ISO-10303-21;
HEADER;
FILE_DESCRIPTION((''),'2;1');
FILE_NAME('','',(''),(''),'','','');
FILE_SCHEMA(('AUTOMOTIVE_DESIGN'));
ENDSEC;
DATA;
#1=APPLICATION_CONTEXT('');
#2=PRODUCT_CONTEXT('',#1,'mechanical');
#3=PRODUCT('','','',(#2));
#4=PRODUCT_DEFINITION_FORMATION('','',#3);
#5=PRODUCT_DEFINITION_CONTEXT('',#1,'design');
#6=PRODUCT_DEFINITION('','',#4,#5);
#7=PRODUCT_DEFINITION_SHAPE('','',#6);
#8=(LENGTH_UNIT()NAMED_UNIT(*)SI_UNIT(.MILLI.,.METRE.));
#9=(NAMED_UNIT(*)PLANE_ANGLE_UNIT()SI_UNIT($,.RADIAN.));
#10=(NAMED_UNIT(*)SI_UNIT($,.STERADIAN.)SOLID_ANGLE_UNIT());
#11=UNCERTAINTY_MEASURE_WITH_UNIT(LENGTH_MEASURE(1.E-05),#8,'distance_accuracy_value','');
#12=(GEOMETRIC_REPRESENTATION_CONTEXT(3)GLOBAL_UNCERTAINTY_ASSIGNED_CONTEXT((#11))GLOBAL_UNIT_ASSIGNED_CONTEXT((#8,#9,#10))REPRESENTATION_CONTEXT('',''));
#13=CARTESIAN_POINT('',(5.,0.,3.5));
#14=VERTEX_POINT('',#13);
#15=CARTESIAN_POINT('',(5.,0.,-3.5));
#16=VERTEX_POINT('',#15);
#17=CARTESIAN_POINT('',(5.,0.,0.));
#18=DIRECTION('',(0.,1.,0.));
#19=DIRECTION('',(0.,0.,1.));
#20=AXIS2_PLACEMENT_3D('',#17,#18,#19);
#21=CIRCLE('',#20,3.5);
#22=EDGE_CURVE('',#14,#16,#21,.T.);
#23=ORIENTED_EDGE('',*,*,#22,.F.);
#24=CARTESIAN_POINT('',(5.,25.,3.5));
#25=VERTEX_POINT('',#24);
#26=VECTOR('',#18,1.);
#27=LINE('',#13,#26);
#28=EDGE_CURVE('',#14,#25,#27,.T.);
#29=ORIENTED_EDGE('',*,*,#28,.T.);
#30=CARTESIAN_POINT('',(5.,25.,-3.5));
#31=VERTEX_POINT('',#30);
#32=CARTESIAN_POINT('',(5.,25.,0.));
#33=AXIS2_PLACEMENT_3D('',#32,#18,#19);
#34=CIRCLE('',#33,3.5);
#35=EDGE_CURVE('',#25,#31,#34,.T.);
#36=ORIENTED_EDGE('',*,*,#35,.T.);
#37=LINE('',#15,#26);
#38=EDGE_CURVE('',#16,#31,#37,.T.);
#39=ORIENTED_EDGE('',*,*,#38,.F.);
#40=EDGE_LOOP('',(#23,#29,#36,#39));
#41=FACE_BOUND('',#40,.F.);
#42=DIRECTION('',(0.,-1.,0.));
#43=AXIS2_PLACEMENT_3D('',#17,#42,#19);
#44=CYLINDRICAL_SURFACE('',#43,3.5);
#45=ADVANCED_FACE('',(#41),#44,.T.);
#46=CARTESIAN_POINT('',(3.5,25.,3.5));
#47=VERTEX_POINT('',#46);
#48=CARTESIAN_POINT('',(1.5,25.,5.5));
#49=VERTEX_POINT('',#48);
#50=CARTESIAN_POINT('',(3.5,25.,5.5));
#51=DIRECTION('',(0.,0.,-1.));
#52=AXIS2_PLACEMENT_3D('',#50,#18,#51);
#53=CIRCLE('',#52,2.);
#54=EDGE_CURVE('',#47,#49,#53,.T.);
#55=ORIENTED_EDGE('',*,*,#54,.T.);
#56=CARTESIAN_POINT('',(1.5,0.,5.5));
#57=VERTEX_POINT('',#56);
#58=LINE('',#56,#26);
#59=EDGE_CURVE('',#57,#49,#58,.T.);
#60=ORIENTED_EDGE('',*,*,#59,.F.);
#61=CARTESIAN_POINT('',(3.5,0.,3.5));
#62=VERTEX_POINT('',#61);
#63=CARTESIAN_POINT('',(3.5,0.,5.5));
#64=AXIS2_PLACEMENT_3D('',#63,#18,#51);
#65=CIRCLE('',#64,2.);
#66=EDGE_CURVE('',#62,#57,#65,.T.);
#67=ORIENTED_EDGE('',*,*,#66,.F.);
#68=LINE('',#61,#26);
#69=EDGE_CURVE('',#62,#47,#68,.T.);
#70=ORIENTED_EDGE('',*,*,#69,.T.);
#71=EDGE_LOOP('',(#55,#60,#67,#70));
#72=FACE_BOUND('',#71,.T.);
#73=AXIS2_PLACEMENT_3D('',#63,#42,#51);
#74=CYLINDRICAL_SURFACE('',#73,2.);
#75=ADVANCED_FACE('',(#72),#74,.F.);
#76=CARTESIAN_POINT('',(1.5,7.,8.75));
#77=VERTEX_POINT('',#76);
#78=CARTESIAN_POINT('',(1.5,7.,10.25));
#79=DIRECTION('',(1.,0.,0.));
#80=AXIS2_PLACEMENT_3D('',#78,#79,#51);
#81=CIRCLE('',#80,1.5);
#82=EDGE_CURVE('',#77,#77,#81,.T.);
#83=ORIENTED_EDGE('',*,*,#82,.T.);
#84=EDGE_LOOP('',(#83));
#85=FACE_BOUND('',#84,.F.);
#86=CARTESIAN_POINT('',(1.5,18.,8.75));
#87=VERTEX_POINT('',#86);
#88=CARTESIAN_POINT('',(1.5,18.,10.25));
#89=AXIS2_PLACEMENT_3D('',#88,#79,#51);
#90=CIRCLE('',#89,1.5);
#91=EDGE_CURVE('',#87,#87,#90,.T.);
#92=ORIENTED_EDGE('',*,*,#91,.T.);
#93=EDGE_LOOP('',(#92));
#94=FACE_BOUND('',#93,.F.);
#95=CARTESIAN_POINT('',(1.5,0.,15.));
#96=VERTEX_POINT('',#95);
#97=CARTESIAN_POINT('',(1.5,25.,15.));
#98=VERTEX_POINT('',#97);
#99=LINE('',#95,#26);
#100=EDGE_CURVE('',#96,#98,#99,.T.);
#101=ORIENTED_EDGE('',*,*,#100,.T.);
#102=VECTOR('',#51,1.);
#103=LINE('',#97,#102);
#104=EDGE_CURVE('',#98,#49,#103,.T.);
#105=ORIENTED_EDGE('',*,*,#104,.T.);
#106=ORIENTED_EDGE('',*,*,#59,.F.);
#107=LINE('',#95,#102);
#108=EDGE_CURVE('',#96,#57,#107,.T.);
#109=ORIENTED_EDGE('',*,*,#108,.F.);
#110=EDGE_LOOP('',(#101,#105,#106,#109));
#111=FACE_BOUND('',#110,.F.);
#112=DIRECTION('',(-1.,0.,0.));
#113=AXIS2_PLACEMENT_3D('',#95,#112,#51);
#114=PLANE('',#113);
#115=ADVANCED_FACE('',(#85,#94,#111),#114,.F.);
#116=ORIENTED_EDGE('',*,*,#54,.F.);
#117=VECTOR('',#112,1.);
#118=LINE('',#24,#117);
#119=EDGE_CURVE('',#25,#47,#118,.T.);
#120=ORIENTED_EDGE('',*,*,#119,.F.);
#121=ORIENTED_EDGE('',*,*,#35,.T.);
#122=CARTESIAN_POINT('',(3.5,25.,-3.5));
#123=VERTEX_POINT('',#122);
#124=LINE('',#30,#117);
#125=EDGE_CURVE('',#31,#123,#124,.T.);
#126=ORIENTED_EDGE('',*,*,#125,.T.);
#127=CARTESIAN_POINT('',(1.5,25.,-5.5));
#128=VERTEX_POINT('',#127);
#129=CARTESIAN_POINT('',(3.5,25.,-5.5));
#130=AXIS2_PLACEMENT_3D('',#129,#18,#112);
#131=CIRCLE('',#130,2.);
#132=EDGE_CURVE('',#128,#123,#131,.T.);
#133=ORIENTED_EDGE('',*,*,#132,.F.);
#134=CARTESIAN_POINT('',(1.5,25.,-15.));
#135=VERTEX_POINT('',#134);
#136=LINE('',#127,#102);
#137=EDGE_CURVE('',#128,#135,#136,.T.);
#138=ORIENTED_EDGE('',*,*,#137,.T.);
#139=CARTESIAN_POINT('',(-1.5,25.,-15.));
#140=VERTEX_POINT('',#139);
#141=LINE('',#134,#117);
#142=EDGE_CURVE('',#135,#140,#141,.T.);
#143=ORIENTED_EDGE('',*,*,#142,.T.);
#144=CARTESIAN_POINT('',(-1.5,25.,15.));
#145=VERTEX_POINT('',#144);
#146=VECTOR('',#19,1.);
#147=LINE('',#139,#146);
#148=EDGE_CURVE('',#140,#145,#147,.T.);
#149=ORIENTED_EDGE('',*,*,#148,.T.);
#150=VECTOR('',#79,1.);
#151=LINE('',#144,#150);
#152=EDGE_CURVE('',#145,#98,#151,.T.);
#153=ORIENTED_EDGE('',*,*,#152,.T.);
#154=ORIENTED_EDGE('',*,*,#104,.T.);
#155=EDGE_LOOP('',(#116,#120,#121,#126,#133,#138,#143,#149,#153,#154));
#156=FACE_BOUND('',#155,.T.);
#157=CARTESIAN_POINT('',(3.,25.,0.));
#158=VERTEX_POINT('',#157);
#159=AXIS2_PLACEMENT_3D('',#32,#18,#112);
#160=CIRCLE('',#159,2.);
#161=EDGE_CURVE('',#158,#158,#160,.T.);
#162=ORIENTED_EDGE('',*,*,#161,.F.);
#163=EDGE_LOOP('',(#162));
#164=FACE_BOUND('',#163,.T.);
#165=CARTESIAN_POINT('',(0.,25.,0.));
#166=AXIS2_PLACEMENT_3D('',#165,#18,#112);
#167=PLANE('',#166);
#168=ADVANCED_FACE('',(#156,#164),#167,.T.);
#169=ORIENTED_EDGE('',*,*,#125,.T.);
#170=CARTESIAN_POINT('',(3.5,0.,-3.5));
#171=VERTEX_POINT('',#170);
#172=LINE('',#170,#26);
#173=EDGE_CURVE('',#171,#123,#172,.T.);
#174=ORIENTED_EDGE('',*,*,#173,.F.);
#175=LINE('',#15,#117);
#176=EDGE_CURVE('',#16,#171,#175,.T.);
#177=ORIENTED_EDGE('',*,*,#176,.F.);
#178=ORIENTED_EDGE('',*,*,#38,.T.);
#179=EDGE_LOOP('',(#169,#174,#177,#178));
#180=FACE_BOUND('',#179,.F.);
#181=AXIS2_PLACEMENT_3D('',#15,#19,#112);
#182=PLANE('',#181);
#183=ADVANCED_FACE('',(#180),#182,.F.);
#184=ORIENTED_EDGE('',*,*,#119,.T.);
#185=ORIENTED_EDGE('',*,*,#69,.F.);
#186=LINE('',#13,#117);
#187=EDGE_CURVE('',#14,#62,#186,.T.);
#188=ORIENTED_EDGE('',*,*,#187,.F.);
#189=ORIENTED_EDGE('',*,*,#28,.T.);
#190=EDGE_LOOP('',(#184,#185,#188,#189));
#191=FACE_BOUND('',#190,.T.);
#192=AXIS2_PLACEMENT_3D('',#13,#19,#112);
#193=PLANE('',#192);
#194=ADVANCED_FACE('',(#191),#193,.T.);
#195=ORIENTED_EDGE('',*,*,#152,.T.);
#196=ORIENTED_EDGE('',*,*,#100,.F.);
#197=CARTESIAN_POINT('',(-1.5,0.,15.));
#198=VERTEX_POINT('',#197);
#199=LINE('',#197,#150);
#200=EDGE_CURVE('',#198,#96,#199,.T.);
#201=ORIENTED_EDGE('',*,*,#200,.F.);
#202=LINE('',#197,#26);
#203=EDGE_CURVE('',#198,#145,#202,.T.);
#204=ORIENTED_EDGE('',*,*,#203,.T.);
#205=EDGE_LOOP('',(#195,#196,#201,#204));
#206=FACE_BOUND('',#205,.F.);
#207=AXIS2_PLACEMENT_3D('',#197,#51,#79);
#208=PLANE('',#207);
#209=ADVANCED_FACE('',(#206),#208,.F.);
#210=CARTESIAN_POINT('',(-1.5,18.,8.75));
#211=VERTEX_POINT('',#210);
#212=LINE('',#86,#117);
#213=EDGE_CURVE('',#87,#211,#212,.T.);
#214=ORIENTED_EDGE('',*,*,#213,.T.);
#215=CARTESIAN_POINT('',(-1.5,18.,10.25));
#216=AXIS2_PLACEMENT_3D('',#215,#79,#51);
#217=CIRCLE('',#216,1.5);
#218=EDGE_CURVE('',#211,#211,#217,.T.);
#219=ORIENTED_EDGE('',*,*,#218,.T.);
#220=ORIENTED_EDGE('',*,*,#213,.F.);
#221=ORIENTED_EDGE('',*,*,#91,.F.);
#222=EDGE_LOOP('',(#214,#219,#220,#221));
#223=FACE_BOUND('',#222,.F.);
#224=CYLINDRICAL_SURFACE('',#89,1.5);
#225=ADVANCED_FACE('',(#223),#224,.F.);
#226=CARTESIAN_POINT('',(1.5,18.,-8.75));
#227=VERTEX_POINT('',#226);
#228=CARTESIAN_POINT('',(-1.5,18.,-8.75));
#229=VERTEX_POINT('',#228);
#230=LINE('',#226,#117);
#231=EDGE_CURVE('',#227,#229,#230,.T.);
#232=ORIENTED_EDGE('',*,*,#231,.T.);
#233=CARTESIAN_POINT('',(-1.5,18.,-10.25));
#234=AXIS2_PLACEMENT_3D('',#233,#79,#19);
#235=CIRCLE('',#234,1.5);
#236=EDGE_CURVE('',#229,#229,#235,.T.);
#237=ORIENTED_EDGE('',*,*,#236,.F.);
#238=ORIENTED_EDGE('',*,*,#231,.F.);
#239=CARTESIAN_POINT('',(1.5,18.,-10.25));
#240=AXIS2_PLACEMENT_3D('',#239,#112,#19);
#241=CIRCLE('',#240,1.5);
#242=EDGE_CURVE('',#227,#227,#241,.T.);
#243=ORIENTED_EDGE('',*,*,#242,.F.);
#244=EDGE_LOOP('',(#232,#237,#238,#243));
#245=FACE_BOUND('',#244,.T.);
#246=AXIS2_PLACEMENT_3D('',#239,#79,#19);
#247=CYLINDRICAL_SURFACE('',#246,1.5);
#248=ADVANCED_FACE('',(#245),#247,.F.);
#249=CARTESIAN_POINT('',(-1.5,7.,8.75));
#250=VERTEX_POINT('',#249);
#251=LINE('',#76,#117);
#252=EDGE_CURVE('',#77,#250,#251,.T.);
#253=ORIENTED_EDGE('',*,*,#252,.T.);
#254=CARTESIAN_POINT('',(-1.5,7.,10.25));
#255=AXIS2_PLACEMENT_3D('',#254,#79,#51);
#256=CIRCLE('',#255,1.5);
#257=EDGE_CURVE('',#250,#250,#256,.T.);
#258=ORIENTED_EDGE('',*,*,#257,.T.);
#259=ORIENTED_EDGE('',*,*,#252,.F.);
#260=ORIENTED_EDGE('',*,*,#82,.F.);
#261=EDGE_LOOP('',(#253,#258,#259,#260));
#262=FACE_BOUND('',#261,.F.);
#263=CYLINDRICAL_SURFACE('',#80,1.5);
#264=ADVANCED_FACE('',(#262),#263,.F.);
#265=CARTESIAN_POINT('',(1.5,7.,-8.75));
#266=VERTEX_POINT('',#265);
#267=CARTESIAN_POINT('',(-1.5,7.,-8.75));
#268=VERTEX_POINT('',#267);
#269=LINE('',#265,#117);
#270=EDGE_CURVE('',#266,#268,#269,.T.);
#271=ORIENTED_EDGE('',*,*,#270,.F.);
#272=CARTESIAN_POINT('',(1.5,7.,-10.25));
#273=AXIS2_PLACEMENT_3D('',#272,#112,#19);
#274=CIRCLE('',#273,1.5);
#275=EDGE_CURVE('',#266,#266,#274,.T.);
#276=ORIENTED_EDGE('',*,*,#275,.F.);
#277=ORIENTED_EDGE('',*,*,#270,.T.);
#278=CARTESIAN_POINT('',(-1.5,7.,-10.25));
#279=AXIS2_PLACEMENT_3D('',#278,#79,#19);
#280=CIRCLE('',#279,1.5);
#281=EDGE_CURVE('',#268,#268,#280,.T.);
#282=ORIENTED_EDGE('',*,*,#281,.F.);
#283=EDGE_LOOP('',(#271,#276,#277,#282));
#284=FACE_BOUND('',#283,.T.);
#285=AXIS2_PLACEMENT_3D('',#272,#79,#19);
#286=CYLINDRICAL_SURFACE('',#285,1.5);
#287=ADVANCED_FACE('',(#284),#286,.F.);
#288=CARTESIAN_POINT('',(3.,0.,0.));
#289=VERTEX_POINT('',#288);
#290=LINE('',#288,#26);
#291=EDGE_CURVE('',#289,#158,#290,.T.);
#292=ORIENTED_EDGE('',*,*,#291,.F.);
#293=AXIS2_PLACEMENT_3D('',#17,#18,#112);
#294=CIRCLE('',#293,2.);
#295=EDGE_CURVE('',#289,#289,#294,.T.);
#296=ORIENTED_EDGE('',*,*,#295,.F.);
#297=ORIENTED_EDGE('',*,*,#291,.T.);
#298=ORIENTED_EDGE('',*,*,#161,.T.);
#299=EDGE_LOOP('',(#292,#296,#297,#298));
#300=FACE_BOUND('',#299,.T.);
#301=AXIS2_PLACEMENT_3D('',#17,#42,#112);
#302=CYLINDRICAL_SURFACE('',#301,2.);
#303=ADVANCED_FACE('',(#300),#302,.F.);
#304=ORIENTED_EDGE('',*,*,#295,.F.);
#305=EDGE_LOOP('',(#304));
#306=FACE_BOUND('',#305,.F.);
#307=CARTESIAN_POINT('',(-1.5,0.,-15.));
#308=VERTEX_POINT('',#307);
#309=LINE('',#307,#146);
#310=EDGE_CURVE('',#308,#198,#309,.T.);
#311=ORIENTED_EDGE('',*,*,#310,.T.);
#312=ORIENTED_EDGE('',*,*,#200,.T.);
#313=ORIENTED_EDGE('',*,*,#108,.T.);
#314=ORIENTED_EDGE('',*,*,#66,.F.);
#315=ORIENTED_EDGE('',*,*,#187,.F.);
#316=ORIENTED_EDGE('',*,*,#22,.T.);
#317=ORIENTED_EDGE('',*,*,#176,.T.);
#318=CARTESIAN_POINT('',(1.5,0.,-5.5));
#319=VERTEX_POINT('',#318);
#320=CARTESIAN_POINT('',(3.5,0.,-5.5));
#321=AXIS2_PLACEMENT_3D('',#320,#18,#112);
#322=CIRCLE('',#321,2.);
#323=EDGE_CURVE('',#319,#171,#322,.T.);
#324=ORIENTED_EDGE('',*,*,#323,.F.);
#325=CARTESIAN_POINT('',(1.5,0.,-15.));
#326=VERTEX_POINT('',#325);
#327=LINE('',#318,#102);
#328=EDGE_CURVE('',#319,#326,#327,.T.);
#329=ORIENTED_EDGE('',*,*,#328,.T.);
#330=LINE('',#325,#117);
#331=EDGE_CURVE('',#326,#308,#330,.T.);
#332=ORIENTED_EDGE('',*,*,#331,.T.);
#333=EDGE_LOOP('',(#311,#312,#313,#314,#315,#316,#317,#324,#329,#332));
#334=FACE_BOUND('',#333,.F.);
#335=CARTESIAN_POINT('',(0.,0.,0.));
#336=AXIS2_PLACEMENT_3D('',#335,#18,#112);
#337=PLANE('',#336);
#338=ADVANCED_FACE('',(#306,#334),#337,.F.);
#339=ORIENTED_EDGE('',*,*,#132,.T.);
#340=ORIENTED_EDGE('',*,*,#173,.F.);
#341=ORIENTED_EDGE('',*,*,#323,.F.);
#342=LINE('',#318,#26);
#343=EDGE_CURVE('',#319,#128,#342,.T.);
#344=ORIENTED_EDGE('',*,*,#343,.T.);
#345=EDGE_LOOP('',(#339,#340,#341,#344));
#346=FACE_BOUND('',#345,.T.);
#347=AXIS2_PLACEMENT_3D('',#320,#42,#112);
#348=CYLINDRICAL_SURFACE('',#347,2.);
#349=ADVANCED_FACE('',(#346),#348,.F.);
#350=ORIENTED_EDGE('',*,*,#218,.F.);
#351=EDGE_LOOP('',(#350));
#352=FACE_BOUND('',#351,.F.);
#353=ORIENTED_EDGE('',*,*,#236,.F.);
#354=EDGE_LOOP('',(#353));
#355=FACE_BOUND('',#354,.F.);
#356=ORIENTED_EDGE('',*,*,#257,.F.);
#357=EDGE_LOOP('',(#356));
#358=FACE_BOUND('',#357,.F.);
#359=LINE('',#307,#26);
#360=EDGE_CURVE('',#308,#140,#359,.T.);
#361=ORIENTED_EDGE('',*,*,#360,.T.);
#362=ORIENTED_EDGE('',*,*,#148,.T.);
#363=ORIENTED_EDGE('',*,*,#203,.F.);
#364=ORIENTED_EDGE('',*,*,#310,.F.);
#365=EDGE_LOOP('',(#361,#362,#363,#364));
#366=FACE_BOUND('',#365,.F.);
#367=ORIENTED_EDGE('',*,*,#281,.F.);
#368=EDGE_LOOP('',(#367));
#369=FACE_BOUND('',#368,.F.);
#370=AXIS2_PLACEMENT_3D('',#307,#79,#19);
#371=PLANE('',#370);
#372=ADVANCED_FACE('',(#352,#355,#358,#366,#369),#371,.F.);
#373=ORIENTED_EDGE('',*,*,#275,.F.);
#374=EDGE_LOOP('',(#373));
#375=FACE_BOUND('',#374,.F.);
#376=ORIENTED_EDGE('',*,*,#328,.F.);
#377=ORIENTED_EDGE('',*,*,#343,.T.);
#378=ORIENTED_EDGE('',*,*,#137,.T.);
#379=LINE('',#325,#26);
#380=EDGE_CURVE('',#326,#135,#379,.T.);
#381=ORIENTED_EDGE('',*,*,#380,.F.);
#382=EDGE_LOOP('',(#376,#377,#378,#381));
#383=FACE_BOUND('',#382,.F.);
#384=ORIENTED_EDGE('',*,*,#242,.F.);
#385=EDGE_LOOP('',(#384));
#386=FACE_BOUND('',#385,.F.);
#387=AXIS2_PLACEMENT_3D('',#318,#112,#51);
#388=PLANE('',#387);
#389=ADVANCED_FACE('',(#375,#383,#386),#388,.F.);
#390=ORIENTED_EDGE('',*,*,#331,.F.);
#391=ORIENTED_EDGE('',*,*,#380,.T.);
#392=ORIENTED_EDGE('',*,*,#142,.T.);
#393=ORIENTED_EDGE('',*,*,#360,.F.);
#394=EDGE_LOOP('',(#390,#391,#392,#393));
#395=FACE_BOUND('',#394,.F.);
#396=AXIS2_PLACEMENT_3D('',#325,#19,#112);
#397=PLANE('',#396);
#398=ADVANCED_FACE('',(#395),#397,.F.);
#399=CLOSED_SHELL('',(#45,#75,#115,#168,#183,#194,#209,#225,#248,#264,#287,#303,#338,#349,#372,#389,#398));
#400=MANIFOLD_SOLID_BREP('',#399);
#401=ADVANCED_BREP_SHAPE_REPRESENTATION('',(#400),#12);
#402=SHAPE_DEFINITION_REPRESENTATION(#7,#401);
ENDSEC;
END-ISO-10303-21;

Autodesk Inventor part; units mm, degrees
ref_plane "YZ Plane" through (0, 0, 0) normal (1, 0, 0) x (0, 1, 0)
ref_plane "XZ Plane" through (0, 0, 0) normal (0, 1, 0) x (-1, 0, 0)
ref_plane "XY Plane" through (0, 0, 0) normal (0, 0, 1) x (1, 0, 0)
sketch "Sketch1" plane through (0, 0, 0) normal (0, 1, 0) x (-1, 0, 0)
  line L0 (1.5, 15) -> (-1.5, 15)
  line L1 (-1.5, -15) -> (1.5, -15)
  line L2 (1.5, -15) -> (1.5, 15)
  line L3 (1.5, 15) -> (-1.5, -15) construction
  line L4 (-1.5, 15) -> (1.5, -15) construction
  arc A0 (-5, 3.5) -> (-5, -3.5) centre (-5, 0) ccw
  circle A1 centre (-5, 0) radius 2
  line L5 (-5, -3.5) -> (-3.5, -3.5)
  line L6 (-5, 3.5) -> (-3.5, 3.5)
  line L7 (-1.5, 15) -> (-1.5, 5.5)
  line L8 (-1.5, -5.5) -> (-1.5, -15)
  arc A2 (-3.5, 3.5) -> (-1.5, 5.5) centre (-3.5, 5.5) ccw
  arc A3 (-1.5, -5.5) -> (-3.5, -3.5) centre (-3.5, -5.5) ccw
  point P0 (0, 0)
  dimension "d0" = 3
  dimension "d1" = 30
  dimension "d2" = 7
  dimension "d3" = 4
  dimension "d4" = 2
extrude "Extrusion1" add sketch "Sketch1" along normal blind 25
sketch "Sketch2" plane through (1.5, 0, 15) normal (1, 0, 0) x (0, 0, -1)
  circle A0 centre (4.75, 18) radius 1.5
  circle A1 centre (4.75, 7) radius 1.5
  line L0 (0, 0) -> (0, 25) projected
  line L1 (0, 25) -> (9.5, 25) projected
  line L2 (0, 0) -> (9.5, 0) projected
  point P0 (15, 0)
  dimension "d7" = 3
  dimension "d8" = 3
  dimension "d9" = 4.75
  dimension "d10" = 4.75
  dimension "d11" = 7
  dimension "d15" = 7
extrude "Extrusion2" cut sketch "Sketch2" against normal blind 25
mirror "Mirror1" about plane through (0, 0, 0) normal (0, 0, 1) of "Extrusion2"
properties part number "joint_female"
